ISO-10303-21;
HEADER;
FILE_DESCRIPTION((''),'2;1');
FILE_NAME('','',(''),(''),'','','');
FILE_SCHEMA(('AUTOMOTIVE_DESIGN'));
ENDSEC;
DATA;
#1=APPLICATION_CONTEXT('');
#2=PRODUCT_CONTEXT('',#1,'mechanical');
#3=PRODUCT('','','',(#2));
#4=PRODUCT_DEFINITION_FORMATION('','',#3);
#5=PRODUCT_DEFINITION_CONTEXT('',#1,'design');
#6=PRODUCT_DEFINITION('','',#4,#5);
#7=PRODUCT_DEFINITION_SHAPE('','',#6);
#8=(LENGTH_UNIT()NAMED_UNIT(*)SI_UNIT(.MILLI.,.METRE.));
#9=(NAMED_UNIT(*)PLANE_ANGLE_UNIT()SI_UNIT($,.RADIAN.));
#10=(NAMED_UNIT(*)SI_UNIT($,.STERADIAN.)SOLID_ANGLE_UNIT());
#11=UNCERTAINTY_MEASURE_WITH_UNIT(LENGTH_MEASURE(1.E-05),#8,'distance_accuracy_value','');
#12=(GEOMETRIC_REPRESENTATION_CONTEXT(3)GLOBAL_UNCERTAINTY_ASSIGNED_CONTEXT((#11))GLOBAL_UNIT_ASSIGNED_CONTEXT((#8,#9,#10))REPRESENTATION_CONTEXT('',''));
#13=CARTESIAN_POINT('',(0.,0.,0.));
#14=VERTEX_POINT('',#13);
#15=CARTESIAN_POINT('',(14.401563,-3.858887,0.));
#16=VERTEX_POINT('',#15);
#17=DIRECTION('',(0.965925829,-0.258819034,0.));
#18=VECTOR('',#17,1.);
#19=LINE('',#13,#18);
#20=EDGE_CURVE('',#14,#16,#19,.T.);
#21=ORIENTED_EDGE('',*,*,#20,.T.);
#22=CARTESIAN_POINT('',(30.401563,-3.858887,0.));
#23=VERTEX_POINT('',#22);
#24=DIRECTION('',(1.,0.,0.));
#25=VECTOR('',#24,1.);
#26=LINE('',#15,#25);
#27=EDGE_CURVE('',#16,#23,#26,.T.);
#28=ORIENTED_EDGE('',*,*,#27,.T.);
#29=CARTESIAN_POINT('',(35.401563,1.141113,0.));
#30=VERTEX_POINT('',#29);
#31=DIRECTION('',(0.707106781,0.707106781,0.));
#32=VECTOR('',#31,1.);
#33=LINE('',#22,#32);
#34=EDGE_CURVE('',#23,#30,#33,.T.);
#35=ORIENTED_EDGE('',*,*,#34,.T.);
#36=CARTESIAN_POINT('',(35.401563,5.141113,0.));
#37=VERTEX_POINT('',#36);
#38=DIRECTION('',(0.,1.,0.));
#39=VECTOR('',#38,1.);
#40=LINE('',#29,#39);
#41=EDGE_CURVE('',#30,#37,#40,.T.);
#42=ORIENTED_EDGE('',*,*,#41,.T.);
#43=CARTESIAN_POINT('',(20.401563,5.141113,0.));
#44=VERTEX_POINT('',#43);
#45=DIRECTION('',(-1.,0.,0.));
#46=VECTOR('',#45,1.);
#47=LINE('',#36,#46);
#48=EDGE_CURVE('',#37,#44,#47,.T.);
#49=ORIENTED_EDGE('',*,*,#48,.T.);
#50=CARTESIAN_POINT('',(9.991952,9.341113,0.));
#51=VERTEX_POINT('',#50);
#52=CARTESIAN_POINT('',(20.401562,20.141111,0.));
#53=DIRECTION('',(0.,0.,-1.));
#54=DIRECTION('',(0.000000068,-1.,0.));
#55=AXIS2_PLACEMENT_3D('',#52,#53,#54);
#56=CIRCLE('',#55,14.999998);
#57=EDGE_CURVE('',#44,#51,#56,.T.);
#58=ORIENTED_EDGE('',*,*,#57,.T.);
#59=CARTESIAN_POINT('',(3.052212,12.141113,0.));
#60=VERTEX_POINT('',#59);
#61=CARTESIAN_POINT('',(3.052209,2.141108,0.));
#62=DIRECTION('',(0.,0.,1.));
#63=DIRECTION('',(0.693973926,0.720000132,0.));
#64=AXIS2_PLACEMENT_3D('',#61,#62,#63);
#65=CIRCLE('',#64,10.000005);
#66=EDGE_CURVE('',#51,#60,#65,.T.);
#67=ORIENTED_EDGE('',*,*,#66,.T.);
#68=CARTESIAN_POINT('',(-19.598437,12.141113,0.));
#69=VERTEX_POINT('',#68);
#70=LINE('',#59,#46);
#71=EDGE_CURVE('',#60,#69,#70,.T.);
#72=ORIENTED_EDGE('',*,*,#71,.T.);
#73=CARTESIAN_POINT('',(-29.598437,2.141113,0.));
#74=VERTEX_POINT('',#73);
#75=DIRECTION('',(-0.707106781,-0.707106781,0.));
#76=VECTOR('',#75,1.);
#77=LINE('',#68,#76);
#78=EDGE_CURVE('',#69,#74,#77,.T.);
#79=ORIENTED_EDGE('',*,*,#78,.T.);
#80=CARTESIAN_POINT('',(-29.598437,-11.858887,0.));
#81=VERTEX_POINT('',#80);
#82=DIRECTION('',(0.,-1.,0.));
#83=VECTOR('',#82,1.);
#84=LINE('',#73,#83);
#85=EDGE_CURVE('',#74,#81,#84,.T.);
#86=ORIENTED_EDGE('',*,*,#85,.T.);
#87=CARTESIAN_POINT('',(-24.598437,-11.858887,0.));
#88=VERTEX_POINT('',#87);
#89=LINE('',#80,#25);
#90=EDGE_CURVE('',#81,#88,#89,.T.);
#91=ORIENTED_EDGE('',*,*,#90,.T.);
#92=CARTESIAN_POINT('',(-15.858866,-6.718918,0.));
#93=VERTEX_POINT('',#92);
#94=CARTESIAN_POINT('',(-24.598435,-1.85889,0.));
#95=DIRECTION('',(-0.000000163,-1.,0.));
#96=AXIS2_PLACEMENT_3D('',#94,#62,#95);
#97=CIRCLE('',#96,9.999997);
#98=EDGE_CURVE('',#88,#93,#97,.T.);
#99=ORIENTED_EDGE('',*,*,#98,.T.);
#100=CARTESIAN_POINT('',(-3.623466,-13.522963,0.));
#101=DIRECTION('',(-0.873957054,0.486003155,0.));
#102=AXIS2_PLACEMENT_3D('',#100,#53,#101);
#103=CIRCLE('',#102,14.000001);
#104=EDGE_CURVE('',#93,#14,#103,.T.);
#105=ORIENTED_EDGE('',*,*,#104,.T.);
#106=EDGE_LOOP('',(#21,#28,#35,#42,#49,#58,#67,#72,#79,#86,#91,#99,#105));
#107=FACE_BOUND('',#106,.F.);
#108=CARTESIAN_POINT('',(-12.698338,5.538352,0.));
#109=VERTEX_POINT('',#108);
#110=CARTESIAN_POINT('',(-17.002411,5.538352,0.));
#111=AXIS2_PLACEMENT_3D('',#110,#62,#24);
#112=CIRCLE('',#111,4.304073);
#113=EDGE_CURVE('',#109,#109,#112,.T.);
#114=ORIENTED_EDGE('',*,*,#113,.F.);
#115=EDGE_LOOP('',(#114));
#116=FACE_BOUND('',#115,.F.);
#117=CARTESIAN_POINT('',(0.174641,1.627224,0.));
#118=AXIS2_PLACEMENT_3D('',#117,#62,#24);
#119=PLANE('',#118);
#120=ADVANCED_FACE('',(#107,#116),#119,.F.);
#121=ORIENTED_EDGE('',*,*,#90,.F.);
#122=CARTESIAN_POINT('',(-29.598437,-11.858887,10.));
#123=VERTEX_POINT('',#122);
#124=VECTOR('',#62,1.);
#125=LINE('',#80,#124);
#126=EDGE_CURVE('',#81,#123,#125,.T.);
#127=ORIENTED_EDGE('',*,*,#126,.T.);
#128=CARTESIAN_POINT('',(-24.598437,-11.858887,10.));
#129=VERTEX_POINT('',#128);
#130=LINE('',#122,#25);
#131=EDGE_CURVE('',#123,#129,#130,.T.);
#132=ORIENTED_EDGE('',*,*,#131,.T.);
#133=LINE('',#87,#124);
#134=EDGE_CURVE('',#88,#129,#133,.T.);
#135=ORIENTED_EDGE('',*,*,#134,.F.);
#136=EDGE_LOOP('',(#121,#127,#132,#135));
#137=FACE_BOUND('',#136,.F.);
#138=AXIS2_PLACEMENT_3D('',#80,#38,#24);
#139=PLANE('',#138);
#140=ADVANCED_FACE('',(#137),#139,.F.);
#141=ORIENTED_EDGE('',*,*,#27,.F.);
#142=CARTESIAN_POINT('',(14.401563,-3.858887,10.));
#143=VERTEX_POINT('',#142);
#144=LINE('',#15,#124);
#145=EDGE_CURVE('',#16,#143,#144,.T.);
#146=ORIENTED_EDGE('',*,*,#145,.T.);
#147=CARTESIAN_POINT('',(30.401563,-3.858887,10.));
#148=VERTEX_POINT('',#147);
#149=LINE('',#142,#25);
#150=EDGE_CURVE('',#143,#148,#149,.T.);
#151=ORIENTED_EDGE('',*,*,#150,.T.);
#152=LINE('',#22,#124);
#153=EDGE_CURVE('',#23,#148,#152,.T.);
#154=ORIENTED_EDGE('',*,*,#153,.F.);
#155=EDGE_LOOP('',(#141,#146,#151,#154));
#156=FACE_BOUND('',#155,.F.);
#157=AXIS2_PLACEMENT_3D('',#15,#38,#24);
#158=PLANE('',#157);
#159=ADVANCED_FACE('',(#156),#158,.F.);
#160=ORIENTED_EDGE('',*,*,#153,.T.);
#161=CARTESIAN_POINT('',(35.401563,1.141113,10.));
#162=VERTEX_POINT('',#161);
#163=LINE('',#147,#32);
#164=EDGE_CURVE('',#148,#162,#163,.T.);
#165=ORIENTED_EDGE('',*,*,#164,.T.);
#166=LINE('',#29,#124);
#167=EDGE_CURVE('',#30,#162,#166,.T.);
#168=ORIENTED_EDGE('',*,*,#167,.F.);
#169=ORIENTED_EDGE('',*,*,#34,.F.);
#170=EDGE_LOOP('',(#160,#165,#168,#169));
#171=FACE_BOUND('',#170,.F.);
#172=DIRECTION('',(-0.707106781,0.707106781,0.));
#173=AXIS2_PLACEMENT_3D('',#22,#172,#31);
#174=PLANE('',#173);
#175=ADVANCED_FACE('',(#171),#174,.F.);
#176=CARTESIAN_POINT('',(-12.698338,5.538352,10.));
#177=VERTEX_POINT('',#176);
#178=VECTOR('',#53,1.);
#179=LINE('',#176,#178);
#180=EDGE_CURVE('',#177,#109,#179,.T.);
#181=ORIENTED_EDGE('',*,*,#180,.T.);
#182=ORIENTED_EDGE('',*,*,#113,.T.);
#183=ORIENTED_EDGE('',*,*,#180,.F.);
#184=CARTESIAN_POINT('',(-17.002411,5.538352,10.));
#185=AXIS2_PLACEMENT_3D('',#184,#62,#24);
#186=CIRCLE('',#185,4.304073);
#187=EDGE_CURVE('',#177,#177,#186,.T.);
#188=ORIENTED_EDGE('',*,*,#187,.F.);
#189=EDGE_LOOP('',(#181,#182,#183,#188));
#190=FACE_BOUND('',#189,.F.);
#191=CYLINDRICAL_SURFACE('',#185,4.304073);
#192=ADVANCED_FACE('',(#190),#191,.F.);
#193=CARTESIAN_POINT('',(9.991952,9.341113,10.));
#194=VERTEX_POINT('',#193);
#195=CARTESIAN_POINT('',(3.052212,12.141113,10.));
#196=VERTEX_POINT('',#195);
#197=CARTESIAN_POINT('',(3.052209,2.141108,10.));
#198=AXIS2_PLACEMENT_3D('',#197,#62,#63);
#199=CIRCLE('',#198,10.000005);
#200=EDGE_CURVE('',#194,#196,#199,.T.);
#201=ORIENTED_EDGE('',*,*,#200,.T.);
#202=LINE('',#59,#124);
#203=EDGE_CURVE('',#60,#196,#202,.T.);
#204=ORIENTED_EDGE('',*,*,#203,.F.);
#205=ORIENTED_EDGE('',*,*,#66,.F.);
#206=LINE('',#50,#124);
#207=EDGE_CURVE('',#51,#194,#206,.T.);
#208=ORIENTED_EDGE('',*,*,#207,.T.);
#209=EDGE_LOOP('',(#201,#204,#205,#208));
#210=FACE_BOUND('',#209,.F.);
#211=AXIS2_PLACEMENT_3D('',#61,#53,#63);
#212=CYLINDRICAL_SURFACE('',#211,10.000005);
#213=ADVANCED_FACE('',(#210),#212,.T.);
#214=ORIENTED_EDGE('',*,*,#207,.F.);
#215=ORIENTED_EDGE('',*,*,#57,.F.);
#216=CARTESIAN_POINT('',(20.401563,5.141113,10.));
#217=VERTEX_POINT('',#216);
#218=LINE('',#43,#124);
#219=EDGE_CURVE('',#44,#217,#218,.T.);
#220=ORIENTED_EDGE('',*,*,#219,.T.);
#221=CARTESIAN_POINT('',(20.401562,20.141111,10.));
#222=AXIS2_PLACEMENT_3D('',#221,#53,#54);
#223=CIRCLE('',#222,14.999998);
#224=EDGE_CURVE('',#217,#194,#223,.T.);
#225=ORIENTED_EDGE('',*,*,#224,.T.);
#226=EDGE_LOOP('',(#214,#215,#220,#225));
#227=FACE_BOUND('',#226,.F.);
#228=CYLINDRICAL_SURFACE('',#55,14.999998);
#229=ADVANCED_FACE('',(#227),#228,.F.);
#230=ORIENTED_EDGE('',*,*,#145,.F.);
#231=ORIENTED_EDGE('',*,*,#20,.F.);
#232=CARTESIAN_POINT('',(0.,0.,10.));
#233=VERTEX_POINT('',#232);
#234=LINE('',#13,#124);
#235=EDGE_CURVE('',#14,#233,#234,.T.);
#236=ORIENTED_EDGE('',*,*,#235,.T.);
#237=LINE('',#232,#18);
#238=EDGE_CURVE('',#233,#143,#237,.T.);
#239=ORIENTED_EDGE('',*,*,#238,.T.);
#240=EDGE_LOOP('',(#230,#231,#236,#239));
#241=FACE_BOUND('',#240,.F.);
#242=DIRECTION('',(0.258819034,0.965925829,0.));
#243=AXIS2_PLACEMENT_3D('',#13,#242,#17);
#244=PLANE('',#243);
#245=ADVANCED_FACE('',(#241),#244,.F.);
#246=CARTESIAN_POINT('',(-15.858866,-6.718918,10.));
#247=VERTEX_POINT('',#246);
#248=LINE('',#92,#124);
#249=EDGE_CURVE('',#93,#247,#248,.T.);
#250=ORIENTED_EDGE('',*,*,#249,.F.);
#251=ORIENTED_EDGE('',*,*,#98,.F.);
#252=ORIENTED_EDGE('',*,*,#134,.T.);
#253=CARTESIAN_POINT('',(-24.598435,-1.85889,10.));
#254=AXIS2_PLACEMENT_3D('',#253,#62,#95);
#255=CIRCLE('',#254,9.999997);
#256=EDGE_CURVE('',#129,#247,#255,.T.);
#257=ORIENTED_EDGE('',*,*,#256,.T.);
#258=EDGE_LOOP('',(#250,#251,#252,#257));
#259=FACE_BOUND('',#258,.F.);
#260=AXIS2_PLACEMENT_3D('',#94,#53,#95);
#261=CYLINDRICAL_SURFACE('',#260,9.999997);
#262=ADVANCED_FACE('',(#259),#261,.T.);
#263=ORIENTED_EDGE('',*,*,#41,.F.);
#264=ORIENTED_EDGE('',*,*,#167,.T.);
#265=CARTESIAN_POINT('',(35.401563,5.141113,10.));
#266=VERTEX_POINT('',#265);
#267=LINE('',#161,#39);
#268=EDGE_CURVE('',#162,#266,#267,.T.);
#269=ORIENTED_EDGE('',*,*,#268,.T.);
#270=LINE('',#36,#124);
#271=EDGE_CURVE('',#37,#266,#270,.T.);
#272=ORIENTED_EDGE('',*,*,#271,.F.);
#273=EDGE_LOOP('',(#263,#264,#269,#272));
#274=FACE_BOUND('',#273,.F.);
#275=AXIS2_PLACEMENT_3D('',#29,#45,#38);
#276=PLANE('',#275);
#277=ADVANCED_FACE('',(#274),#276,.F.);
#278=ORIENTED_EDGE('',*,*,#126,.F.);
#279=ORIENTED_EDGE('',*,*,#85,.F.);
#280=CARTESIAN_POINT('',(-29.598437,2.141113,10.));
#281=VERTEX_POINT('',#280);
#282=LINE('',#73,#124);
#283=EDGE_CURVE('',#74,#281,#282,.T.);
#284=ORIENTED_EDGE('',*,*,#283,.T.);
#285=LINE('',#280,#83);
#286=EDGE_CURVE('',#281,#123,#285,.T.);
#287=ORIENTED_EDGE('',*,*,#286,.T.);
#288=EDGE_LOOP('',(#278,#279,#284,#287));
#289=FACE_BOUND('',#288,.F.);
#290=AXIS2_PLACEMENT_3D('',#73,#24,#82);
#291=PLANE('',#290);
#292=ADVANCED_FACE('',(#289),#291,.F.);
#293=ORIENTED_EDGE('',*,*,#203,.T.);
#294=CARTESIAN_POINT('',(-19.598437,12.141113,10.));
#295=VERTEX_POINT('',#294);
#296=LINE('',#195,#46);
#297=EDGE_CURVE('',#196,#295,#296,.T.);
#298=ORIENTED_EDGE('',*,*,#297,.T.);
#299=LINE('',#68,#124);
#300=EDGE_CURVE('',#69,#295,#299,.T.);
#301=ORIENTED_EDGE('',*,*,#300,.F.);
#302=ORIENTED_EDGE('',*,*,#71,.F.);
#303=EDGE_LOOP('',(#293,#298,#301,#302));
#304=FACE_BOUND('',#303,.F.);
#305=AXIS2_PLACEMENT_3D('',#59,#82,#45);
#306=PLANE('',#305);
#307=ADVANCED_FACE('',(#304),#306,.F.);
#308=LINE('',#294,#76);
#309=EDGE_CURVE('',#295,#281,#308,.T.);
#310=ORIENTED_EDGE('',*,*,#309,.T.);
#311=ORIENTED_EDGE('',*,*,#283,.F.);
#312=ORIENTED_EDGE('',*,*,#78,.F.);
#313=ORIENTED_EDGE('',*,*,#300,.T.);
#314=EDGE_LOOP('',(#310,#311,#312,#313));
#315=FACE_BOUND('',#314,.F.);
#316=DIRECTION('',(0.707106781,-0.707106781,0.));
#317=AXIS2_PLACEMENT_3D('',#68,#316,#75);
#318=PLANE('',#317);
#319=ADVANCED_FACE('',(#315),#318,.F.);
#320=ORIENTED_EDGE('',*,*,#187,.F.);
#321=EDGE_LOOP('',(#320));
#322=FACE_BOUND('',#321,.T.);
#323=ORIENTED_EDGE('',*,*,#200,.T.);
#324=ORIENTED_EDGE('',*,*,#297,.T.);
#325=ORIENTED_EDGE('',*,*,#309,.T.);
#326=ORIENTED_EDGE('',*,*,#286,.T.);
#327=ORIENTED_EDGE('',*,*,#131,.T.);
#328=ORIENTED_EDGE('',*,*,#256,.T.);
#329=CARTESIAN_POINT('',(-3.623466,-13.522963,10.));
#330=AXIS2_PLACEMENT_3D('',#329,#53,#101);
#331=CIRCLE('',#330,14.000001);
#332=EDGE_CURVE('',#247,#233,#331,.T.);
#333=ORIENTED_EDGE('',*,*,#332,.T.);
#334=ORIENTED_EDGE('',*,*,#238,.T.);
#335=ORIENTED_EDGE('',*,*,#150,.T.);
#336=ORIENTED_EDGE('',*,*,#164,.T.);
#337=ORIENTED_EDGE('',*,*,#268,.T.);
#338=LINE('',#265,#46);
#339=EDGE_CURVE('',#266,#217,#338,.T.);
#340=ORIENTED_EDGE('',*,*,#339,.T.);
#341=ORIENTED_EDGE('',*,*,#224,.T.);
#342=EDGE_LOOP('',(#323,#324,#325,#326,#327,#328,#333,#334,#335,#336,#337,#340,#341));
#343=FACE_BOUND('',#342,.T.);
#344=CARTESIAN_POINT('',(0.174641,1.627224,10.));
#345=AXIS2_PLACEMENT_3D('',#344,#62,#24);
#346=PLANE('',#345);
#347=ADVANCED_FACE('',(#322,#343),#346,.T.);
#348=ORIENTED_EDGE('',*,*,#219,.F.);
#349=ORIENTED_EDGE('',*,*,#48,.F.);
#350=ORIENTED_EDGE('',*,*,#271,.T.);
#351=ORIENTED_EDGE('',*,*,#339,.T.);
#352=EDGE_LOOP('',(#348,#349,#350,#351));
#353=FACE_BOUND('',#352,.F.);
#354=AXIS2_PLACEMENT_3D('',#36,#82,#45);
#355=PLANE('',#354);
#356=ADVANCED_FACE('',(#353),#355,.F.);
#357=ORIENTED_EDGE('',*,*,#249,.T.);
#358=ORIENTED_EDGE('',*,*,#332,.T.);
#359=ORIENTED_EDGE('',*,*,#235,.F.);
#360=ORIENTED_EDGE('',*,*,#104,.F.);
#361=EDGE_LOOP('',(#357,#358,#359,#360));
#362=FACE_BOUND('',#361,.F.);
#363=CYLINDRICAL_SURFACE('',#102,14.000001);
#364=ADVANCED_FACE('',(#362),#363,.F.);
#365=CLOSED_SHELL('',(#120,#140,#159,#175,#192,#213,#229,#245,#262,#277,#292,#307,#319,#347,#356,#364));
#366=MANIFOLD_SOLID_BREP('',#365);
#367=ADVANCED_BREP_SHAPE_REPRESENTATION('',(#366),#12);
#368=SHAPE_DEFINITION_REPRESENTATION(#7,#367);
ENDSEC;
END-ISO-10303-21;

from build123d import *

# Parameters (mm, degrees)
F1_DEPTH = 10
F2_R     = 4.304073
F3_DEPTH = 25


with BuildPart() as f1:
    # F0 (on Top) → F1 (new body)
    with BuildSketch(Plane.XY):
        with BuildLine():
            Line((-29.598437, 2.141113), (-29.598437, -11.858887))
            Line((-29.598437, -11.858887), (-24.598437, -11.858887))
            ThreePointArc((-24.598437, -11.858887), (-19.528935, -10.478641), (-15.858866, -6.718918))
            ThreePointArc((-15.858866, -6.718918), (-9.084905, -0.632163), (0, 0))
            Line((0, 0), (14.401563, -3.858887))
            Line((14.401563, -3.858887), (30.401563, -3.858887))
            Line((30.401563, -3.858887), (35.401563, 1.141113))
            Line((35.401563, 1.141113), (35.401563, 5.141113))
            Line((35.401563, 5.141113), (20.401563, 5.141113))
            ThreePointArc((20.401563, 5.141113), (14.789077, 6.230685), (9.991952, 9.341113))
            ThreePointArc((9.991952, 9.341113), (6.793869, 11.414731), (3.052212, 12.141113))
            Line((3.052212, 12.141113), (-19.598437, 12.141113))
            Line((-19.598437, 12.141113), (-29.598437, 2.141113))
        make_face()
    extrude(amount=F1_DEPTH)

    # F2 (on face) → F3 (cut)
    with BuildSketch(Plane.XY.offset(10)):
        with Locations((-17.002411, 5.538352)):
            Circle(F2_R)
    extrude(amount=-F3_DEPTH, mode=Mode.SUBTRACT)


solid = f1.part
